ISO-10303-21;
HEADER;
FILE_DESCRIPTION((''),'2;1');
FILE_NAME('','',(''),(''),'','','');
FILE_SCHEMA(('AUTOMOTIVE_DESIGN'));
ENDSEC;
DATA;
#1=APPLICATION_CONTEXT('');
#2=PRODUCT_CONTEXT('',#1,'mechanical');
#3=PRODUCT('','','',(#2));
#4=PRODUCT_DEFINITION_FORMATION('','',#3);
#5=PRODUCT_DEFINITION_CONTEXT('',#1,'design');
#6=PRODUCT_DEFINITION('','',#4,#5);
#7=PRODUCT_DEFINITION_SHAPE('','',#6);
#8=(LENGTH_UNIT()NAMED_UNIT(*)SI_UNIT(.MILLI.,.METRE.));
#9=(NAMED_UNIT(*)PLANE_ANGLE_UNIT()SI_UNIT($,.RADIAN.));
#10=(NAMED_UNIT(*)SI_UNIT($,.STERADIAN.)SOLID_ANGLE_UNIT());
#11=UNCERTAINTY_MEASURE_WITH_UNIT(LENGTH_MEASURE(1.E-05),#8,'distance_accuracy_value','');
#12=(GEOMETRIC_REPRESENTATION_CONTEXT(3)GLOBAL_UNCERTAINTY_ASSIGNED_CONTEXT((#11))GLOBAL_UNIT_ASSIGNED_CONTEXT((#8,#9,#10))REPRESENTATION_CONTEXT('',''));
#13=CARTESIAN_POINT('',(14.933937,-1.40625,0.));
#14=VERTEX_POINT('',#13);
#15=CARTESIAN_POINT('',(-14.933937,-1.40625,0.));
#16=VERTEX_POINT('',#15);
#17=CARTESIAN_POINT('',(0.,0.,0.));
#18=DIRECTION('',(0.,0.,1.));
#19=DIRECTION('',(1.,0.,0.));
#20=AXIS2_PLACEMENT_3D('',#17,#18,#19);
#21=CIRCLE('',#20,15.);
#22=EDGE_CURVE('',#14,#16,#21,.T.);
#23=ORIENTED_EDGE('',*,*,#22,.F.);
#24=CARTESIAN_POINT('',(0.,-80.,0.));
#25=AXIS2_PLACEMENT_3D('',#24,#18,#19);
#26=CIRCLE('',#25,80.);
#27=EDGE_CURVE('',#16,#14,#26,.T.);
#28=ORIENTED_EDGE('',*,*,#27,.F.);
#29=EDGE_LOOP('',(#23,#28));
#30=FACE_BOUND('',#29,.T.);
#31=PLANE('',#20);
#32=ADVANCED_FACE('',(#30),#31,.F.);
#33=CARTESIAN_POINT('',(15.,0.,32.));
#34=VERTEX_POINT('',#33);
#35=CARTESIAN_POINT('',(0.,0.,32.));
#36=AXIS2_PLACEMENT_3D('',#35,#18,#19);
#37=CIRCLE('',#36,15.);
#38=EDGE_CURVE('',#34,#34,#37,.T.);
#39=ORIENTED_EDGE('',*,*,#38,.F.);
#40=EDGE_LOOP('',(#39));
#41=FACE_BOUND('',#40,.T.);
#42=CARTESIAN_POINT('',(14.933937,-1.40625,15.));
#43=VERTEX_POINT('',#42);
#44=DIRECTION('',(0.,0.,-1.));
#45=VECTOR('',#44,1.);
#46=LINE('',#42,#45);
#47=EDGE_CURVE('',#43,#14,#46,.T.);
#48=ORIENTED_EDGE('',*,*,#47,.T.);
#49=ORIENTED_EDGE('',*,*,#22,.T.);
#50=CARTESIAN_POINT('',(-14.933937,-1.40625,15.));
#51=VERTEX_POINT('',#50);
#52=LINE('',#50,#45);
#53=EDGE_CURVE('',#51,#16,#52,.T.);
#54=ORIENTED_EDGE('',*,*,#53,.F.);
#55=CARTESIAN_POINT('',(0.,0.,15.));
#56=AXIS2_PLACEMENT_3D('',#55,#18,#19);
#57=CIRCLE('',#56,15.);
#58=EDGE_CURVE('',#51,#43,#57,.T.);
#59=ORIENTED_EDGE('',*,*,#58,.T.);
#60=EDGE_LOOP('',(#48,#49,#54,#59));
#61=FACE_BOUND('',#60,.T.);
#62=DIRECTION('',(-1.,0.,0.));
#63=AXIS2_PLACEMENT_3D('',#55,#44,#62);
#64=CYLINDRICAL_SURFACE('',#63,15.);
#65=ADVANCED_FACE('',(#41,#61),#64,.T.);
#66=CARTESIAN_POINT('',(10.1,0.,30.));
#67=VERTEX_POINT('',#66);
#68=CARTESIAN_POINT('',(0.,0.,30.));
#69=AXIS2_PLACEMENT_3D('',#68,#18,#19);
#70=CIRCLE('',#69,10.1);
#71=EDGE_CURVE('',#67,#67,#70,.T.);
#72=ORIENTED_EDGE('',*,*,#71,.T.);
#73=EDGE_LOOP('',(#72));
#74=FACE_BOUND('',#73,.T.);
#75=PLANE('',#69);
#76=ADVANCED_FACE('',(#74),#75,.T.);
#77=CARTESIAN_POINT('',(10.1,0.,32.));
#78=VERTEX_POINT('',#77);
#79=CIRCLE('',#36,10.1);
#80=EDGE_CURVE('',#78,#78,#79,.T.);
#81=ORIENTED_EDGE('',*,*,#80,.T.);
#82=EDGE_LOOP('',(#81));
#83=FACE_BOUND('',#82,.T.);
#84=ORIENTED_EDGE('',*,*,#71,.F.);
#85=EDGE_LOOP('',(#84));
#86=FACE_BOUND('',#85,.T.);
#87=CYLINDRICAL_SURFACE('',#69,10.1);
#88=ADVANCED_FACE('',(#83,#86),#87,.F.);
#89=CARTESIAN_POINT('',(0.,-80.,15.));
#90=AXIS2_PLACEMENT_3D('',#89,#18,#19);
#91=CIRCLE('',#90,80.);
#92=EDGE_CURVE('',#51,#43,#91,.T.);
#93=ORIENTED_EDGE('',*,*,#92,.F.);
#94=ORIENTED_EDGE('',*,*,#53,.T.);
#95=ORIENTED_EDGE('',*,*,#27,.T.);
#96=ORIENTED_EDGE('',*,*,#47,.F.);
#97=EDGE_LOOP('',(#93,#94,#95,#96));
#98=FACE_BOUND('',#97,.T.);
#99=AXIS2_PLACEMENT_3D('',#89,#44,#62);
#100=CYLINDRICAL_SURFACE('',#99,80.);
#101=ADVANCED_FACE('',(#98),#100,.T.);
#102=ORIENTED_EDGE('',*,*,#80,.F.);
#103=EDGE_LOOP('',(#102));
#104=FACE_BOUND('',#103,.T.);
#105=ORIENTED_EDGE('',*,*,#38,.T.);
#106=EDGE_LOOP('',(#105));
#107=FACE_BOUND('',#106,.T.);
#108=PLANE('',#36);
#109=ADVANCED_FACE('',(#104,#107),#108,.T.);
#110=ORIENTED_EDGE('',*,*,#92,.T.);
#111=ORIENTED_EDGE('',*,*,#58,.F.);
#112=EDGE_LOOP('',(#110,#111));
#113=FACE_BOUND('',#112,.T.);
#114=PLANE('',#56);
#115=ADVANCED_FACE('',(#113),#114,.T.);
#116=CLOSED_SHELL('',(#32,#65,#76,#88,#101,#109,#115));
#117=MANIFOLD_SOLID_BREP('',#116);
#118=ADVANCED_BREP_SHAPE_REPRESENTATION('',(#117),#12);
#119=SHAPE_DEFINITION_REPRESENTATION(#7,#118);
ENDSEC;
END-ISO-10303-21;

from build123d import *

# Parameters (mm, degrees)
EXTRUDE_1_DEPTH     = 15
SKETCH_5_R          = 15
EXTRUDE_3_DEPTH     = 17
SKETCH_9_R          = 10.1
CUT_EXTRUDE_2_DEPTH = 2


with BuildPart() as part:
    # ｽｹｯﾁ4 → ﾎﾞｽ - 押し出し1 (new body)
    with BuildSketch(Plane.XY):
        with BuildLine():
            ThreePointArc((14.933936552, -1.40625), (0, 15), (-14.933936552, -1.40625))
            ThreePointArc((-14.933936552, -1.40625), (0, -160), (14.933936552, -1.40625))
        make_face()
    extrude(amount=EXTRUDE_1_DEPTH)

    # ｽｹｯﾁ5 → ﾎﾞｽ - 押し出し3 (add)
    with BuildSketch(Plane.XY.offset(15)):
        with Locations(Location((0, 0, 0), (0, 0, 185.379378991))):
            Circle(SKETCH_5_R)
    extrude(amount=EXTRUDE_3_DEPTH)

    # ｽｹｯﾁ9 → ｶｯﾄ - 押し出し2 (cut)
    with BuildSketch(Plane.XY.offset(32)):
        Circle(SKETCH_9_R)
    extrude(amount=-CUT_EXTRUDE_2_DEPTH, mode=Mode.SUBTRACT)


solid = part.part
